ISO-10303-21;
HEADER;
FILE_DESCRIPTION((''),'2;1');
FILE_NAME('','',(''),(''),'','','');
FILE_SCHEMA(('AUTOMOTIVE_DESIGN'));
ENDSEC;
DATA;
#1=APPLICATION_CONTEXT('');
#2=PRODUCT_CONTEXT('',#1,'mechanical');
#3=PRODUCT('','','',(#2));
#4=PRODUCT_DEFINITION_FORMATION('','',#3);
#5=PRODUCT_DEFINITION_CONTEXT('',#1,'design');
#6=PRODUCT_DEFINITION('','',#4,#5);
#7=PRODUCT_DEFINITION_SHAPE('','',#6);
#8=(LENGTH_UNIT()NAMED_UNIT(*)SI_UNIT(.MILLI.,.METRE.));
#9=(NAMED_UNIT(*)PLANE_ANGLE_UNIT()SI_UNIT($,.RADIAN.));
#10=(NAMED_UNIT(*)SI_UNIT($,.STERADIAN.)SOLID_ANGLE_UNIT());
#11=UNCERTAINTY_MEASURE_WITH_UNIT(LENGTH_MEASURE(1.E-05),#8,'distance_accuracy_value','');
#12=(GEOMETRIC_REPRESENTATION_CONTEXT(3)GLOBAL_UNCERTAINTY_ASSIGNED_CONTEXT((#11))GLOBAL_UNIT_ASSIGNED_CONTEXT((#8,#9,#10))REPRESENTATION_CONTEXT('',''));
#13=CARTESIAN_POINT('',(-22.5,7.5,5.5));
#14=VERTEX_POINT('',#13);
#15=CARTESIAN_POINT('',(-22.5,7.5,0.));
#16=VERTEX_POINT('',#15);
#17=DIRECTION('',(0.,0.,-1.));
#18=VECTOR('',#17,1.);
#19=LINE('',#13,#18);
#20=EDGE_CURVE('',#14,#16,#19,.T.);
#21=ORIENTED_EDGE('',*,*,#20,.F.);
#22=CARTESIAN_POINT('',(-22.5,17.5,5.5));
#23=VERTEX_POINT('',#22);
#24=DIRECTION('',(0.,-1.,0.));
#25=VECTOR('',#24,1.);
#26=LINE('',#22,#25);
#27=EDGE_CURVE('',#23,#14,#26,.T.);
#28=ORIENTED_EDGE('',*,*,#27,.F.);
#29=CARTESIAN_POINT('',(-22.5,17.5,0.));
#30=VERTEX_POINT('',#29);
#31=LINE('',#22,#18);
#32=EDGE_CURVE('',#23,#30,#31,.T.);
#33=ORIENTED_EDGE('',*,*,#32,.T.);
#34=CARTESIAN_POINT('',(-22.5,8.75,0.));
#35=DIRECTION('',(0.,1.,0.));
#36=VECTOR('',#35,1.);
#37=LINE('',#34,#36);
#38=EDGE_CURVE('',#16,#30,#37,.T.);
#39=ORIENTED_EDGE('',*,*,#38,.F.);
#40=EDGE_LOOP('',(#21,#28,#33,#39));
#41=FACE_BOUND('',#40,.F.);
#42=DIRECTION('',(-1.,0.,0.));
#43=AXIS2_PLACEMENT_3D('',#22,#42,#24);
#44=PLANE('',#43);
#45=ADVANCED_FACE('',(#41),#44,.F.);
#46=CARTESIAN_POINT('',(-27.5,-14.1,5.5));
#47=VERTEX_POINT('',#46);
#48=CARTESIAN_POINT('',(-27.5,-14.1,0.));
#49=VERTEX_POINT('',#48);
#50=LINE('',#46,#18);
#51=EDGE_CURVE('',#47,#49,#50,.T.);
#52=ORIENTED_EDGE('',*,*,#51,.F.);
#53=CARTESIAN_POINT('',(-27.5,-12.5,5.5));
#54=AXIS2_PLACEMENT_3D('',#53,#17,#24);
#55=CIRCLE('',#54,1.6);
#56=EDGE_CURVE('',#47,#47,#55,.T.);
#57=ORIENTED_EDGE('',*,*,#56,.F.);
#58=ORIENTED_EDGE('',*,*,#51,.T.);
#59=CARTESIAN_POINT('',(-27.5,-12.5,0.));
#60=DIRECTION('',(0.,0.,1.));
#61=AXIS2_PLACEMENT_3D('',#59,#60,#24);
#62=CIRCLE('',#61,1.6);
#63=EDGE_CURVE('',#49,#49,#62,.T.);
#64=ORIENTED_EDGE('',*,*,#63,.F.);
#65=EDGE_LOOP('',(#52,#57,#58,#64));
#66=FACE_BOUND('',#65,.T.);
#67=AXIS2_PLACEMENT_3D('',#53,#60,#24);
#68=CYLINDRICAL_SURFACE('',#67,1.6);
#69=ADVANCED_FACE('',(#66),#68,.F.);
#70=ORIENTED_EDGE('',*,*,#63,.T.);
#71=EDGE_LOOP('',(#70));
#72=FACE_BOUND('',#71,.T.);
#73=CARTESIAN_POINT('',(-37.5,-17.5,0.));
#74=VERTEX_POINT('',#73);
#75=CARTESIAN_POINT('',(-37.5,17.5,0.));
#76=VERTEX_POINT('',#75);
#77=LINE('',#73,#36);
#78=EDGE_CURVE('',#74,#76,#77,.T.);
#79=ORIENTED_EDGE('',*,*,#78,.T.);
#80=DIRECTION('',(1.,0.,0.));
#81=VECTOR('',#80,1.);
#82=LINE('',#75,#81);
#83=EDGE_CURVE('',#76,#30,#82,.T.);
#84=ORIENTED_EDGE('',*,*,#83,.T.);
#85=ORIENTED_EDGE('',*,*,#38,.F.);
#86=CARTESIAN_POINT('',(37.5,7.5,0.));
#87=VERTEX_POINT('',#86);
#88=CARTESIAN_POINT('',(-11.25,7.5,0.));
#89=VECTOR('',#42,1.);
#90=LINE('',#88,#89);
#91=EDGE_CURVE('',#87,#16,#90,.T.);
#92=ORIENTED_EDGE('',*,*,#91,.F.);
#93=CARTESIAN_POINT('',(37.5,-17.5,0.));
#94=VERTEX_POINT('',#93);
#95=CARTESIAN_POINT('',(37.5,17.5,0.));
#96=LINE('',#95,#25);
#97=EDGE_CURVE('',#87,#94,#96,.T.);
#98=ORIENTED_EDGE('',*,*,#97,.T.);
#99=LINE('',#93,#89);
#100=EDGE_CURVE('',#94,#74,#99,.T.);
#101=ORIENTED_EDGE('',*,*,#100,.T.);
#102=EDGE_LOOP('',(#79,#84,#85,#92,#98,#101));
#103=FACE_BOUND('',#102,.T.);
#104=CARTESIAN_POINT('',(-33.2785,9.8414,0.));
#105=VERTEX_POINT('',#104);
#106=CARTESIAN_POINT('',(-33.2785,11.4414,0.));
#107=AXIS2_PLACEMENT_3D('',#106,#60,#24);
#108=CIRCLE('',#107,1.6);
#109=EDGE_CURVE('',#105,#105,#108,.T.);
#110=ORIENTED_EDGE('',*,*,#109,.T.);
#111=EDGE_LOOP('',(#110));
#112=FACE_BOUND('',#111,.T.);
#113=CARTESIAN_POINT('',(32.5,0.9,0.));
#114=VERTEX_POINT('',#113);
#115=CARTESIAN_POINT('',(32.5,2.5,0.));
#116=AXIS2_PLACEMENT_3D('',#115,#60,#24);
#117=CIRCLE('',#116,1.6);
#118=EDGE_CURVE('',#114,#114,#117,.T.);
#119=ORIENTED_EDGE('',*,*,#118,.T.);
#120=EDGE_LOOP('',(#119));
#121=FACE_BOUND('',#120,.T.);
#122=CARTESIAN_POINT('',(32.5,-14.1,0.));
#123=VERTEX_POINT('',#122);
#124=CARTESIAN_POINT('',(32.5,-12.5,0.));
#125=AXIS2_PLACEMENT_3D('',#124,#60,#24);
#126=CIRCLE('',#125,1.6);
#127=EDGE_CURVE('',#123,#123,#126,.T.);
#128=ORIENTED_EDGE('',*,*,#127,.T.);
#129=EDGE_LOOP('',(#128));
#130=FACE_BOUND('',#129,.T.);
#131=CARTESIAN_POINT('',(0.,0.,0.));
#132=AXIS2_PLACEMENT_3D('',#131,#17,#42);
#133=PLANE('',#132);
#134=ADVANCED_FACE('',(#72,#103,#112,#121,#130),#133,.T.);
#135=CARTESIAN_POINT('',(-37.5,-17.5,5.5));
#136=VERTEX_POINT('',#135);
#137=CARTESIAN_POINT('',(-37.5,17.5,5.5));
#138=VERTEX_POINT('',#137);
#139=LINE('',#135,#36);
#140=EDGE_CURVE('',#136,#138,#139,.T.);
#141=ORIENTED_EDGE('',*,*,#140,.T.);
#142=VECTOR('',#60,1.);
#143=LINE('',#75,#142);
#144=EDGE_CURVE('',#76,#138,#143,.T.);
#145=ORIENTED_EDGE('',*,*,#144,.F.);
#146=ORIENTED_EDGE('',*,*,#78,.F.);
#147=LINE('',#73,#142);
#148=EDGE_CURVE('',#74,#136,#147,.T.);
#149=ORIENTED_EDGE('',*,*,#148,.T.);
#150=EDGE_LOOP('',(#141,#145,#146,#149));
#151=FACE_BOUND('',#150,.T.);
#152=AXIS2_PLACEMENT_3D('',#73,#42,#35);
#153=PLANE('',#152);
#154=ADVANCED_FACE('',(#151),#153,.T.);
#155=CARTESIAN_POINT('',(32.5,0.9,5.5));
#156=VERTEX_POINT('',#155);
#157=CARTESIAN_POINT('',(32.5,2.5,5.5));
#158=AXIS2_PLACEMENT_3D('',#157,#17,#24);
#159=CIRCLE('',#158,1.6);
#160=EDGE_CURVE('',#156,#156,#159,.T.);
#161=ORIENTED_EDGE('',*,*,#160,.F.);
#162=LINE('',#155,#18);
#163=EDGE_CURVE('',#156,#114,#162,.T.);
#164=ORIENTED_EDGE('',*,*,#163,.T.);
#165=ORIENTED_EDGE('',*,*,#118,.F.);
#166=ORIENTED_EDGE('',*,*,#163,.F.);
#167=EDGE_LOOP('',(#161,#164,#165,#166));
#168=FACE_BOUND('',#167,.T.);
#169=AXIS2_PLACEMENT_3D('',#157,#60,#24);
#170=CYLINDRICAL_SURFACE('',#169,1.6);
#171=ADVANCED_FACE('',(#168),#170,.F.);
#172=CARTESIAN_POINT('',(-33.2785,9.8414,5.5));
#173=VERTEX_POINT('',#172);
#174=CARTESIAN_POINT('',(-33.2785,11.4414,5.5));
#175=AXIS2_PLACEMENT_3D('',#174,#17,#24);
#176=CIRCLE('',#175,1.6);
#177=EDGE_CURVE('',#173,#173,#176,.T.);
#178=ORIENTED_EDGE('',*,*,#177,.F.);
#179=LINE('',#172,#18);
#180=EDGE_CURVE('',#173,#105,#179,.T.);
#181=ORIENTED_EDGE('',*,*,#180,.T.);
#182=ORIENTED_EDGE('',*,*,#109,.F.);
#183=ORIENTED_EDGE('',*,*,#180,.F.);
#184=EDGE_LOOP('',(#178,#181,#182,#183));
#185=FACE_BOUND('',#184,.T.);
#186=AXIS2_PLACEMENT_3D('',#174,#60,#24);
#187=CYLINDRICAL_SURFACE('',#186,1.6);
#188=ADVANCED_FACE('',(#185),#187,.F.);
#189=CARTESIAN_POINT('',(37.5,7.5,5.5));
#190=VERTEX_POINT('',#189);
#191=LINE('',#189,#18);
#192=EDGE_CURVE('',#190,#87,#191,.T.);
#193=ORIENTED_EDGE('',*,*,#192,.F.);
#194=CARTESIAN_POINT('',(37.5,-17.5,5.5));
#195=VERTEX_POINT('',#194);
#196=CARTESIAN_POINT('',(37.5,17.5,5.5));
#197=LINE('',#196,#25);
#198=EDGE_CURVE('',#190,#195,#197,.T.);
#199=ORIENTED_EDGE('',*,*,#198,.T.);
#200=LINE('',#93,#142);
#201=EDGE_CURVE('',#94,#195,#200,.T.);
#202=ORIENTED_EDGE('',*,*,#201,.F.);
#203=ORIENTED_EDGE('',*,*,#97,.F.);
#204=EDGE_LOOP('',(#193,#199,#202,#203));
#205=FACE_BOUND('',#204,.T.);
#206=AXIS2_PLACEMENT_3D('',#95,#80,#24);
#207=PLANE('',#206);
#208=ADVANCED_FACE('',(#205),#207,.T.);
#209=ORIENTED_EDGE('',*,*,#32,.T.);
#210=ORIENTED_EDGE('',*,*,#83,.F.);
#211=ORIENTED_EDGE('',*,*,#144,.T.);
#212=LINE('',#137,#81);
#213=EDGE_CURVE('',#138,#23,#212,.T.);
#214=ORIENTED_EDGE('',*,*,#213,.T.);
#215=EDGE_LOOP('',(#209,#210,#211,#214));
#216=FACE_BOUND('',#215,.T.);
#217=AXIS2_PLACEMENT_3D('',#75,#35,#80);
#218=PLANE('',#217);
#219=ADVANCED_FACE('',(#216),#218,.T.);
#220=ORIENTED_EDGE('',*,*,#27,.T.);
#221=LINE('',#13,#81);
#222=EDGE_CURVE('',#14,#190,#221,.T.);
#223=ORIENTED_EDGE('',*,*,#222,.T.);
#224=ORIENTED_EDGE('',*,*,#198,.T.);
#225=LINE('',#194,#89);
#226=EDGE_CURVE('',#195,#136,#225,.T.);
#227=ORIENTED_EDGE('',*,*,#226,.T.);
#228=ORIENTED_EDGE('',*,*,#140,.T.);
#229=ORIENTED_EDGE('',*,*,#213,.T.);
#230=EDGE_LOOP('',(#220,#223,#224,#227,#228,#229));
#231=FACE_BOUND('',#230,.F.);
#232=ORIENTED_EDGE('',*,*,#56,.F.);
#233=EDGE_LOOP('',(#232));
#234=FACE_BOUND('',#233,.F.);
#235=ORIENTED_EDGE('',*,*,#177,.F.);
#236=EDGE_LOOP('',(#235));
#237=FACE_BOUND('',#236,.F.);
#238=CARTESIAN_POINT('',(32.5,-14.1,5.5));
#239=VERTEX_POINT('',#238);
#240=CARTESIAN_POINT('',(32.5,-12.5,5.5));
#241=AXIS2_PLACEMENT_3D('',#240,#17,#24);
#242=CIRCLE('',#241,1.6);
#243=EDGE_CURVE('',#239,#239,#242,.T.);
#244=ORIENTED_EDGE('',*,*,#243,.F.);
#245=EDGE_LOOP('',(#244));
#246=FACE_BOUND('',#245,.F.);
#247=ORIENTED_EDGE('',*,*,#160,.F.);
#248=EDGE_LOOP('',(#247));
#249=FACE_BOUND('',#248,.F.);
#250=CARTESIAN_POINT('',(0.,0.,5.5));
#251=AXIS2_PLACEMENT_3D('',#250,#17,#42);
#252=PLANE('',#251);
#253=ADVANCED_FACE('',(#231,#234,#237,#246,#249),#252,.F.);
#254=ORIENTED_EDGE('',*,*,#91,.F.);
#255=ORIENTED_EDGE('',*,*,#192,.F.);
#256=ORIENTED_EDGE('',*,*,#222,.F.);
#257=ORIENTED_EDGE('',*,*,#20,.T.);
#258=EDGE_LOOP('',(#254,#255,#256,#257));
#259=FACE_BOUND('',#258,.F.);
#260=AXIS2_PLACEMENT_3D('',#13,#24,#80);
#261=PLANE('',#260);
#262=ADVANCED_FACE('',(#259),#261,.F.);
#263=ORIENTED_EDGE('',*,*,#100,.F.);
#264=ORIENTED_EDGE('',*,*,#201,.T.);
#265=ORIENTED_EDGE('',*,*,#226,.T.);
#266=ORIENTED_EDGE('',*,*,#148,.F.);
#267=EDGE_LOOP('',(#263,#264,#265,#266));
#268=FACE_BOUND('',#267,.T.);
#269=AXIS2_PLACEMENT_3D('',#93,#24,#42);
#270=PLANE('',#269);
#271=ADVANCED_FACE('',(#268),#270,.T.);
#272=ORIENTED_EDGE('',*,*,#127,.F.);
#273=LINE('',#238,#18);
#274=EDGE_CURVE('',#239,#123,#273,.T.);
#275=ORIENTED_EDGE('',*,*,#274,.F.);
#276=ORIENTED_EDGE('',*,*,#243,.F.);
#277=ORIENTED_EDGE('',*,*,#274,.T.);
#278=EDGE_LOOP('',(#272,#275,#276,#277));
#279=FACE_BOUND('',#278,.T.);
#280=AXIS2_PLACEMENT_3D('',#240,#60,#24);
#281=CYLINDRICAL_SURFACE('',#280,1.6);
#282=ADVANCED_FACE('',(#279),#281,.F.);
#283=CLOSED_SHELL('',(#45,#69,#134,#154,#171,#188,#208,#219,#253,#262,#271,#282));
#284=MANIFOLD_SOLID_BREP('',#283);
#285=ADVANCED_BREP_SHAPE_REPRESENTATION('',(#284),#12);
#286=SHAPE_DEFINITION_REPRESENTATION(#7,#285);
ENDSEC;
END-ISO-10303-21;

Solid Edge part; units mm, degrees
sketch "Sketch1" plane through (0, 0, 0) normal (0, 0, 1) x (1, 0, 0)
  line L0 (37.5, -17.5) -> (-37.5, -17.5)
  line L1 (-37.5, -17.5) -> (-37.5, 17.5)
  line L2 (-37.5, 17.5) -> (37.5, 17.5)
  line L3 (37.5, 17.5) -> (37.5, -17.5)
  dimension "D1" = 35
  dimension "D2" = 75
extrude "Protrusion1" add sketch "Sketch1" along normal blind 5.5
hole "Hole_1" at (32.5, -12.5, 5.5) direction (0, 0, -1) diameter 3.2 end up to next
sketch "Sketch2" plane through (0, 0, 5.5) normal (0, 0, 1) x (1, 0, 0)
  line L0 (-22.5, 17.5) -> (-22.5, 7.5)
  line L1 (-22.5, 7.5) -> (37.5, 7.5)
  dimension "D1" = 20
  dimension "D2" = 60
extrude "Cutout1" cut sketch "Sketch2" against normal through all material side at (-22.45, 12.5, 5.5)
hole "Hole_2" at (-33.2785, 11.4414, 5.5) direction (0, 0, -1) diameter 3.2 end up to next
hole "Hole1" at (32.5, 2.5, 5.5) direction (0, 0, -1) diameter 3.2 end up to next
hole "Hole2" at (-27.5, -12.5, 5.5) direction (0, 0, -1) diameter 3.2 end up to next
